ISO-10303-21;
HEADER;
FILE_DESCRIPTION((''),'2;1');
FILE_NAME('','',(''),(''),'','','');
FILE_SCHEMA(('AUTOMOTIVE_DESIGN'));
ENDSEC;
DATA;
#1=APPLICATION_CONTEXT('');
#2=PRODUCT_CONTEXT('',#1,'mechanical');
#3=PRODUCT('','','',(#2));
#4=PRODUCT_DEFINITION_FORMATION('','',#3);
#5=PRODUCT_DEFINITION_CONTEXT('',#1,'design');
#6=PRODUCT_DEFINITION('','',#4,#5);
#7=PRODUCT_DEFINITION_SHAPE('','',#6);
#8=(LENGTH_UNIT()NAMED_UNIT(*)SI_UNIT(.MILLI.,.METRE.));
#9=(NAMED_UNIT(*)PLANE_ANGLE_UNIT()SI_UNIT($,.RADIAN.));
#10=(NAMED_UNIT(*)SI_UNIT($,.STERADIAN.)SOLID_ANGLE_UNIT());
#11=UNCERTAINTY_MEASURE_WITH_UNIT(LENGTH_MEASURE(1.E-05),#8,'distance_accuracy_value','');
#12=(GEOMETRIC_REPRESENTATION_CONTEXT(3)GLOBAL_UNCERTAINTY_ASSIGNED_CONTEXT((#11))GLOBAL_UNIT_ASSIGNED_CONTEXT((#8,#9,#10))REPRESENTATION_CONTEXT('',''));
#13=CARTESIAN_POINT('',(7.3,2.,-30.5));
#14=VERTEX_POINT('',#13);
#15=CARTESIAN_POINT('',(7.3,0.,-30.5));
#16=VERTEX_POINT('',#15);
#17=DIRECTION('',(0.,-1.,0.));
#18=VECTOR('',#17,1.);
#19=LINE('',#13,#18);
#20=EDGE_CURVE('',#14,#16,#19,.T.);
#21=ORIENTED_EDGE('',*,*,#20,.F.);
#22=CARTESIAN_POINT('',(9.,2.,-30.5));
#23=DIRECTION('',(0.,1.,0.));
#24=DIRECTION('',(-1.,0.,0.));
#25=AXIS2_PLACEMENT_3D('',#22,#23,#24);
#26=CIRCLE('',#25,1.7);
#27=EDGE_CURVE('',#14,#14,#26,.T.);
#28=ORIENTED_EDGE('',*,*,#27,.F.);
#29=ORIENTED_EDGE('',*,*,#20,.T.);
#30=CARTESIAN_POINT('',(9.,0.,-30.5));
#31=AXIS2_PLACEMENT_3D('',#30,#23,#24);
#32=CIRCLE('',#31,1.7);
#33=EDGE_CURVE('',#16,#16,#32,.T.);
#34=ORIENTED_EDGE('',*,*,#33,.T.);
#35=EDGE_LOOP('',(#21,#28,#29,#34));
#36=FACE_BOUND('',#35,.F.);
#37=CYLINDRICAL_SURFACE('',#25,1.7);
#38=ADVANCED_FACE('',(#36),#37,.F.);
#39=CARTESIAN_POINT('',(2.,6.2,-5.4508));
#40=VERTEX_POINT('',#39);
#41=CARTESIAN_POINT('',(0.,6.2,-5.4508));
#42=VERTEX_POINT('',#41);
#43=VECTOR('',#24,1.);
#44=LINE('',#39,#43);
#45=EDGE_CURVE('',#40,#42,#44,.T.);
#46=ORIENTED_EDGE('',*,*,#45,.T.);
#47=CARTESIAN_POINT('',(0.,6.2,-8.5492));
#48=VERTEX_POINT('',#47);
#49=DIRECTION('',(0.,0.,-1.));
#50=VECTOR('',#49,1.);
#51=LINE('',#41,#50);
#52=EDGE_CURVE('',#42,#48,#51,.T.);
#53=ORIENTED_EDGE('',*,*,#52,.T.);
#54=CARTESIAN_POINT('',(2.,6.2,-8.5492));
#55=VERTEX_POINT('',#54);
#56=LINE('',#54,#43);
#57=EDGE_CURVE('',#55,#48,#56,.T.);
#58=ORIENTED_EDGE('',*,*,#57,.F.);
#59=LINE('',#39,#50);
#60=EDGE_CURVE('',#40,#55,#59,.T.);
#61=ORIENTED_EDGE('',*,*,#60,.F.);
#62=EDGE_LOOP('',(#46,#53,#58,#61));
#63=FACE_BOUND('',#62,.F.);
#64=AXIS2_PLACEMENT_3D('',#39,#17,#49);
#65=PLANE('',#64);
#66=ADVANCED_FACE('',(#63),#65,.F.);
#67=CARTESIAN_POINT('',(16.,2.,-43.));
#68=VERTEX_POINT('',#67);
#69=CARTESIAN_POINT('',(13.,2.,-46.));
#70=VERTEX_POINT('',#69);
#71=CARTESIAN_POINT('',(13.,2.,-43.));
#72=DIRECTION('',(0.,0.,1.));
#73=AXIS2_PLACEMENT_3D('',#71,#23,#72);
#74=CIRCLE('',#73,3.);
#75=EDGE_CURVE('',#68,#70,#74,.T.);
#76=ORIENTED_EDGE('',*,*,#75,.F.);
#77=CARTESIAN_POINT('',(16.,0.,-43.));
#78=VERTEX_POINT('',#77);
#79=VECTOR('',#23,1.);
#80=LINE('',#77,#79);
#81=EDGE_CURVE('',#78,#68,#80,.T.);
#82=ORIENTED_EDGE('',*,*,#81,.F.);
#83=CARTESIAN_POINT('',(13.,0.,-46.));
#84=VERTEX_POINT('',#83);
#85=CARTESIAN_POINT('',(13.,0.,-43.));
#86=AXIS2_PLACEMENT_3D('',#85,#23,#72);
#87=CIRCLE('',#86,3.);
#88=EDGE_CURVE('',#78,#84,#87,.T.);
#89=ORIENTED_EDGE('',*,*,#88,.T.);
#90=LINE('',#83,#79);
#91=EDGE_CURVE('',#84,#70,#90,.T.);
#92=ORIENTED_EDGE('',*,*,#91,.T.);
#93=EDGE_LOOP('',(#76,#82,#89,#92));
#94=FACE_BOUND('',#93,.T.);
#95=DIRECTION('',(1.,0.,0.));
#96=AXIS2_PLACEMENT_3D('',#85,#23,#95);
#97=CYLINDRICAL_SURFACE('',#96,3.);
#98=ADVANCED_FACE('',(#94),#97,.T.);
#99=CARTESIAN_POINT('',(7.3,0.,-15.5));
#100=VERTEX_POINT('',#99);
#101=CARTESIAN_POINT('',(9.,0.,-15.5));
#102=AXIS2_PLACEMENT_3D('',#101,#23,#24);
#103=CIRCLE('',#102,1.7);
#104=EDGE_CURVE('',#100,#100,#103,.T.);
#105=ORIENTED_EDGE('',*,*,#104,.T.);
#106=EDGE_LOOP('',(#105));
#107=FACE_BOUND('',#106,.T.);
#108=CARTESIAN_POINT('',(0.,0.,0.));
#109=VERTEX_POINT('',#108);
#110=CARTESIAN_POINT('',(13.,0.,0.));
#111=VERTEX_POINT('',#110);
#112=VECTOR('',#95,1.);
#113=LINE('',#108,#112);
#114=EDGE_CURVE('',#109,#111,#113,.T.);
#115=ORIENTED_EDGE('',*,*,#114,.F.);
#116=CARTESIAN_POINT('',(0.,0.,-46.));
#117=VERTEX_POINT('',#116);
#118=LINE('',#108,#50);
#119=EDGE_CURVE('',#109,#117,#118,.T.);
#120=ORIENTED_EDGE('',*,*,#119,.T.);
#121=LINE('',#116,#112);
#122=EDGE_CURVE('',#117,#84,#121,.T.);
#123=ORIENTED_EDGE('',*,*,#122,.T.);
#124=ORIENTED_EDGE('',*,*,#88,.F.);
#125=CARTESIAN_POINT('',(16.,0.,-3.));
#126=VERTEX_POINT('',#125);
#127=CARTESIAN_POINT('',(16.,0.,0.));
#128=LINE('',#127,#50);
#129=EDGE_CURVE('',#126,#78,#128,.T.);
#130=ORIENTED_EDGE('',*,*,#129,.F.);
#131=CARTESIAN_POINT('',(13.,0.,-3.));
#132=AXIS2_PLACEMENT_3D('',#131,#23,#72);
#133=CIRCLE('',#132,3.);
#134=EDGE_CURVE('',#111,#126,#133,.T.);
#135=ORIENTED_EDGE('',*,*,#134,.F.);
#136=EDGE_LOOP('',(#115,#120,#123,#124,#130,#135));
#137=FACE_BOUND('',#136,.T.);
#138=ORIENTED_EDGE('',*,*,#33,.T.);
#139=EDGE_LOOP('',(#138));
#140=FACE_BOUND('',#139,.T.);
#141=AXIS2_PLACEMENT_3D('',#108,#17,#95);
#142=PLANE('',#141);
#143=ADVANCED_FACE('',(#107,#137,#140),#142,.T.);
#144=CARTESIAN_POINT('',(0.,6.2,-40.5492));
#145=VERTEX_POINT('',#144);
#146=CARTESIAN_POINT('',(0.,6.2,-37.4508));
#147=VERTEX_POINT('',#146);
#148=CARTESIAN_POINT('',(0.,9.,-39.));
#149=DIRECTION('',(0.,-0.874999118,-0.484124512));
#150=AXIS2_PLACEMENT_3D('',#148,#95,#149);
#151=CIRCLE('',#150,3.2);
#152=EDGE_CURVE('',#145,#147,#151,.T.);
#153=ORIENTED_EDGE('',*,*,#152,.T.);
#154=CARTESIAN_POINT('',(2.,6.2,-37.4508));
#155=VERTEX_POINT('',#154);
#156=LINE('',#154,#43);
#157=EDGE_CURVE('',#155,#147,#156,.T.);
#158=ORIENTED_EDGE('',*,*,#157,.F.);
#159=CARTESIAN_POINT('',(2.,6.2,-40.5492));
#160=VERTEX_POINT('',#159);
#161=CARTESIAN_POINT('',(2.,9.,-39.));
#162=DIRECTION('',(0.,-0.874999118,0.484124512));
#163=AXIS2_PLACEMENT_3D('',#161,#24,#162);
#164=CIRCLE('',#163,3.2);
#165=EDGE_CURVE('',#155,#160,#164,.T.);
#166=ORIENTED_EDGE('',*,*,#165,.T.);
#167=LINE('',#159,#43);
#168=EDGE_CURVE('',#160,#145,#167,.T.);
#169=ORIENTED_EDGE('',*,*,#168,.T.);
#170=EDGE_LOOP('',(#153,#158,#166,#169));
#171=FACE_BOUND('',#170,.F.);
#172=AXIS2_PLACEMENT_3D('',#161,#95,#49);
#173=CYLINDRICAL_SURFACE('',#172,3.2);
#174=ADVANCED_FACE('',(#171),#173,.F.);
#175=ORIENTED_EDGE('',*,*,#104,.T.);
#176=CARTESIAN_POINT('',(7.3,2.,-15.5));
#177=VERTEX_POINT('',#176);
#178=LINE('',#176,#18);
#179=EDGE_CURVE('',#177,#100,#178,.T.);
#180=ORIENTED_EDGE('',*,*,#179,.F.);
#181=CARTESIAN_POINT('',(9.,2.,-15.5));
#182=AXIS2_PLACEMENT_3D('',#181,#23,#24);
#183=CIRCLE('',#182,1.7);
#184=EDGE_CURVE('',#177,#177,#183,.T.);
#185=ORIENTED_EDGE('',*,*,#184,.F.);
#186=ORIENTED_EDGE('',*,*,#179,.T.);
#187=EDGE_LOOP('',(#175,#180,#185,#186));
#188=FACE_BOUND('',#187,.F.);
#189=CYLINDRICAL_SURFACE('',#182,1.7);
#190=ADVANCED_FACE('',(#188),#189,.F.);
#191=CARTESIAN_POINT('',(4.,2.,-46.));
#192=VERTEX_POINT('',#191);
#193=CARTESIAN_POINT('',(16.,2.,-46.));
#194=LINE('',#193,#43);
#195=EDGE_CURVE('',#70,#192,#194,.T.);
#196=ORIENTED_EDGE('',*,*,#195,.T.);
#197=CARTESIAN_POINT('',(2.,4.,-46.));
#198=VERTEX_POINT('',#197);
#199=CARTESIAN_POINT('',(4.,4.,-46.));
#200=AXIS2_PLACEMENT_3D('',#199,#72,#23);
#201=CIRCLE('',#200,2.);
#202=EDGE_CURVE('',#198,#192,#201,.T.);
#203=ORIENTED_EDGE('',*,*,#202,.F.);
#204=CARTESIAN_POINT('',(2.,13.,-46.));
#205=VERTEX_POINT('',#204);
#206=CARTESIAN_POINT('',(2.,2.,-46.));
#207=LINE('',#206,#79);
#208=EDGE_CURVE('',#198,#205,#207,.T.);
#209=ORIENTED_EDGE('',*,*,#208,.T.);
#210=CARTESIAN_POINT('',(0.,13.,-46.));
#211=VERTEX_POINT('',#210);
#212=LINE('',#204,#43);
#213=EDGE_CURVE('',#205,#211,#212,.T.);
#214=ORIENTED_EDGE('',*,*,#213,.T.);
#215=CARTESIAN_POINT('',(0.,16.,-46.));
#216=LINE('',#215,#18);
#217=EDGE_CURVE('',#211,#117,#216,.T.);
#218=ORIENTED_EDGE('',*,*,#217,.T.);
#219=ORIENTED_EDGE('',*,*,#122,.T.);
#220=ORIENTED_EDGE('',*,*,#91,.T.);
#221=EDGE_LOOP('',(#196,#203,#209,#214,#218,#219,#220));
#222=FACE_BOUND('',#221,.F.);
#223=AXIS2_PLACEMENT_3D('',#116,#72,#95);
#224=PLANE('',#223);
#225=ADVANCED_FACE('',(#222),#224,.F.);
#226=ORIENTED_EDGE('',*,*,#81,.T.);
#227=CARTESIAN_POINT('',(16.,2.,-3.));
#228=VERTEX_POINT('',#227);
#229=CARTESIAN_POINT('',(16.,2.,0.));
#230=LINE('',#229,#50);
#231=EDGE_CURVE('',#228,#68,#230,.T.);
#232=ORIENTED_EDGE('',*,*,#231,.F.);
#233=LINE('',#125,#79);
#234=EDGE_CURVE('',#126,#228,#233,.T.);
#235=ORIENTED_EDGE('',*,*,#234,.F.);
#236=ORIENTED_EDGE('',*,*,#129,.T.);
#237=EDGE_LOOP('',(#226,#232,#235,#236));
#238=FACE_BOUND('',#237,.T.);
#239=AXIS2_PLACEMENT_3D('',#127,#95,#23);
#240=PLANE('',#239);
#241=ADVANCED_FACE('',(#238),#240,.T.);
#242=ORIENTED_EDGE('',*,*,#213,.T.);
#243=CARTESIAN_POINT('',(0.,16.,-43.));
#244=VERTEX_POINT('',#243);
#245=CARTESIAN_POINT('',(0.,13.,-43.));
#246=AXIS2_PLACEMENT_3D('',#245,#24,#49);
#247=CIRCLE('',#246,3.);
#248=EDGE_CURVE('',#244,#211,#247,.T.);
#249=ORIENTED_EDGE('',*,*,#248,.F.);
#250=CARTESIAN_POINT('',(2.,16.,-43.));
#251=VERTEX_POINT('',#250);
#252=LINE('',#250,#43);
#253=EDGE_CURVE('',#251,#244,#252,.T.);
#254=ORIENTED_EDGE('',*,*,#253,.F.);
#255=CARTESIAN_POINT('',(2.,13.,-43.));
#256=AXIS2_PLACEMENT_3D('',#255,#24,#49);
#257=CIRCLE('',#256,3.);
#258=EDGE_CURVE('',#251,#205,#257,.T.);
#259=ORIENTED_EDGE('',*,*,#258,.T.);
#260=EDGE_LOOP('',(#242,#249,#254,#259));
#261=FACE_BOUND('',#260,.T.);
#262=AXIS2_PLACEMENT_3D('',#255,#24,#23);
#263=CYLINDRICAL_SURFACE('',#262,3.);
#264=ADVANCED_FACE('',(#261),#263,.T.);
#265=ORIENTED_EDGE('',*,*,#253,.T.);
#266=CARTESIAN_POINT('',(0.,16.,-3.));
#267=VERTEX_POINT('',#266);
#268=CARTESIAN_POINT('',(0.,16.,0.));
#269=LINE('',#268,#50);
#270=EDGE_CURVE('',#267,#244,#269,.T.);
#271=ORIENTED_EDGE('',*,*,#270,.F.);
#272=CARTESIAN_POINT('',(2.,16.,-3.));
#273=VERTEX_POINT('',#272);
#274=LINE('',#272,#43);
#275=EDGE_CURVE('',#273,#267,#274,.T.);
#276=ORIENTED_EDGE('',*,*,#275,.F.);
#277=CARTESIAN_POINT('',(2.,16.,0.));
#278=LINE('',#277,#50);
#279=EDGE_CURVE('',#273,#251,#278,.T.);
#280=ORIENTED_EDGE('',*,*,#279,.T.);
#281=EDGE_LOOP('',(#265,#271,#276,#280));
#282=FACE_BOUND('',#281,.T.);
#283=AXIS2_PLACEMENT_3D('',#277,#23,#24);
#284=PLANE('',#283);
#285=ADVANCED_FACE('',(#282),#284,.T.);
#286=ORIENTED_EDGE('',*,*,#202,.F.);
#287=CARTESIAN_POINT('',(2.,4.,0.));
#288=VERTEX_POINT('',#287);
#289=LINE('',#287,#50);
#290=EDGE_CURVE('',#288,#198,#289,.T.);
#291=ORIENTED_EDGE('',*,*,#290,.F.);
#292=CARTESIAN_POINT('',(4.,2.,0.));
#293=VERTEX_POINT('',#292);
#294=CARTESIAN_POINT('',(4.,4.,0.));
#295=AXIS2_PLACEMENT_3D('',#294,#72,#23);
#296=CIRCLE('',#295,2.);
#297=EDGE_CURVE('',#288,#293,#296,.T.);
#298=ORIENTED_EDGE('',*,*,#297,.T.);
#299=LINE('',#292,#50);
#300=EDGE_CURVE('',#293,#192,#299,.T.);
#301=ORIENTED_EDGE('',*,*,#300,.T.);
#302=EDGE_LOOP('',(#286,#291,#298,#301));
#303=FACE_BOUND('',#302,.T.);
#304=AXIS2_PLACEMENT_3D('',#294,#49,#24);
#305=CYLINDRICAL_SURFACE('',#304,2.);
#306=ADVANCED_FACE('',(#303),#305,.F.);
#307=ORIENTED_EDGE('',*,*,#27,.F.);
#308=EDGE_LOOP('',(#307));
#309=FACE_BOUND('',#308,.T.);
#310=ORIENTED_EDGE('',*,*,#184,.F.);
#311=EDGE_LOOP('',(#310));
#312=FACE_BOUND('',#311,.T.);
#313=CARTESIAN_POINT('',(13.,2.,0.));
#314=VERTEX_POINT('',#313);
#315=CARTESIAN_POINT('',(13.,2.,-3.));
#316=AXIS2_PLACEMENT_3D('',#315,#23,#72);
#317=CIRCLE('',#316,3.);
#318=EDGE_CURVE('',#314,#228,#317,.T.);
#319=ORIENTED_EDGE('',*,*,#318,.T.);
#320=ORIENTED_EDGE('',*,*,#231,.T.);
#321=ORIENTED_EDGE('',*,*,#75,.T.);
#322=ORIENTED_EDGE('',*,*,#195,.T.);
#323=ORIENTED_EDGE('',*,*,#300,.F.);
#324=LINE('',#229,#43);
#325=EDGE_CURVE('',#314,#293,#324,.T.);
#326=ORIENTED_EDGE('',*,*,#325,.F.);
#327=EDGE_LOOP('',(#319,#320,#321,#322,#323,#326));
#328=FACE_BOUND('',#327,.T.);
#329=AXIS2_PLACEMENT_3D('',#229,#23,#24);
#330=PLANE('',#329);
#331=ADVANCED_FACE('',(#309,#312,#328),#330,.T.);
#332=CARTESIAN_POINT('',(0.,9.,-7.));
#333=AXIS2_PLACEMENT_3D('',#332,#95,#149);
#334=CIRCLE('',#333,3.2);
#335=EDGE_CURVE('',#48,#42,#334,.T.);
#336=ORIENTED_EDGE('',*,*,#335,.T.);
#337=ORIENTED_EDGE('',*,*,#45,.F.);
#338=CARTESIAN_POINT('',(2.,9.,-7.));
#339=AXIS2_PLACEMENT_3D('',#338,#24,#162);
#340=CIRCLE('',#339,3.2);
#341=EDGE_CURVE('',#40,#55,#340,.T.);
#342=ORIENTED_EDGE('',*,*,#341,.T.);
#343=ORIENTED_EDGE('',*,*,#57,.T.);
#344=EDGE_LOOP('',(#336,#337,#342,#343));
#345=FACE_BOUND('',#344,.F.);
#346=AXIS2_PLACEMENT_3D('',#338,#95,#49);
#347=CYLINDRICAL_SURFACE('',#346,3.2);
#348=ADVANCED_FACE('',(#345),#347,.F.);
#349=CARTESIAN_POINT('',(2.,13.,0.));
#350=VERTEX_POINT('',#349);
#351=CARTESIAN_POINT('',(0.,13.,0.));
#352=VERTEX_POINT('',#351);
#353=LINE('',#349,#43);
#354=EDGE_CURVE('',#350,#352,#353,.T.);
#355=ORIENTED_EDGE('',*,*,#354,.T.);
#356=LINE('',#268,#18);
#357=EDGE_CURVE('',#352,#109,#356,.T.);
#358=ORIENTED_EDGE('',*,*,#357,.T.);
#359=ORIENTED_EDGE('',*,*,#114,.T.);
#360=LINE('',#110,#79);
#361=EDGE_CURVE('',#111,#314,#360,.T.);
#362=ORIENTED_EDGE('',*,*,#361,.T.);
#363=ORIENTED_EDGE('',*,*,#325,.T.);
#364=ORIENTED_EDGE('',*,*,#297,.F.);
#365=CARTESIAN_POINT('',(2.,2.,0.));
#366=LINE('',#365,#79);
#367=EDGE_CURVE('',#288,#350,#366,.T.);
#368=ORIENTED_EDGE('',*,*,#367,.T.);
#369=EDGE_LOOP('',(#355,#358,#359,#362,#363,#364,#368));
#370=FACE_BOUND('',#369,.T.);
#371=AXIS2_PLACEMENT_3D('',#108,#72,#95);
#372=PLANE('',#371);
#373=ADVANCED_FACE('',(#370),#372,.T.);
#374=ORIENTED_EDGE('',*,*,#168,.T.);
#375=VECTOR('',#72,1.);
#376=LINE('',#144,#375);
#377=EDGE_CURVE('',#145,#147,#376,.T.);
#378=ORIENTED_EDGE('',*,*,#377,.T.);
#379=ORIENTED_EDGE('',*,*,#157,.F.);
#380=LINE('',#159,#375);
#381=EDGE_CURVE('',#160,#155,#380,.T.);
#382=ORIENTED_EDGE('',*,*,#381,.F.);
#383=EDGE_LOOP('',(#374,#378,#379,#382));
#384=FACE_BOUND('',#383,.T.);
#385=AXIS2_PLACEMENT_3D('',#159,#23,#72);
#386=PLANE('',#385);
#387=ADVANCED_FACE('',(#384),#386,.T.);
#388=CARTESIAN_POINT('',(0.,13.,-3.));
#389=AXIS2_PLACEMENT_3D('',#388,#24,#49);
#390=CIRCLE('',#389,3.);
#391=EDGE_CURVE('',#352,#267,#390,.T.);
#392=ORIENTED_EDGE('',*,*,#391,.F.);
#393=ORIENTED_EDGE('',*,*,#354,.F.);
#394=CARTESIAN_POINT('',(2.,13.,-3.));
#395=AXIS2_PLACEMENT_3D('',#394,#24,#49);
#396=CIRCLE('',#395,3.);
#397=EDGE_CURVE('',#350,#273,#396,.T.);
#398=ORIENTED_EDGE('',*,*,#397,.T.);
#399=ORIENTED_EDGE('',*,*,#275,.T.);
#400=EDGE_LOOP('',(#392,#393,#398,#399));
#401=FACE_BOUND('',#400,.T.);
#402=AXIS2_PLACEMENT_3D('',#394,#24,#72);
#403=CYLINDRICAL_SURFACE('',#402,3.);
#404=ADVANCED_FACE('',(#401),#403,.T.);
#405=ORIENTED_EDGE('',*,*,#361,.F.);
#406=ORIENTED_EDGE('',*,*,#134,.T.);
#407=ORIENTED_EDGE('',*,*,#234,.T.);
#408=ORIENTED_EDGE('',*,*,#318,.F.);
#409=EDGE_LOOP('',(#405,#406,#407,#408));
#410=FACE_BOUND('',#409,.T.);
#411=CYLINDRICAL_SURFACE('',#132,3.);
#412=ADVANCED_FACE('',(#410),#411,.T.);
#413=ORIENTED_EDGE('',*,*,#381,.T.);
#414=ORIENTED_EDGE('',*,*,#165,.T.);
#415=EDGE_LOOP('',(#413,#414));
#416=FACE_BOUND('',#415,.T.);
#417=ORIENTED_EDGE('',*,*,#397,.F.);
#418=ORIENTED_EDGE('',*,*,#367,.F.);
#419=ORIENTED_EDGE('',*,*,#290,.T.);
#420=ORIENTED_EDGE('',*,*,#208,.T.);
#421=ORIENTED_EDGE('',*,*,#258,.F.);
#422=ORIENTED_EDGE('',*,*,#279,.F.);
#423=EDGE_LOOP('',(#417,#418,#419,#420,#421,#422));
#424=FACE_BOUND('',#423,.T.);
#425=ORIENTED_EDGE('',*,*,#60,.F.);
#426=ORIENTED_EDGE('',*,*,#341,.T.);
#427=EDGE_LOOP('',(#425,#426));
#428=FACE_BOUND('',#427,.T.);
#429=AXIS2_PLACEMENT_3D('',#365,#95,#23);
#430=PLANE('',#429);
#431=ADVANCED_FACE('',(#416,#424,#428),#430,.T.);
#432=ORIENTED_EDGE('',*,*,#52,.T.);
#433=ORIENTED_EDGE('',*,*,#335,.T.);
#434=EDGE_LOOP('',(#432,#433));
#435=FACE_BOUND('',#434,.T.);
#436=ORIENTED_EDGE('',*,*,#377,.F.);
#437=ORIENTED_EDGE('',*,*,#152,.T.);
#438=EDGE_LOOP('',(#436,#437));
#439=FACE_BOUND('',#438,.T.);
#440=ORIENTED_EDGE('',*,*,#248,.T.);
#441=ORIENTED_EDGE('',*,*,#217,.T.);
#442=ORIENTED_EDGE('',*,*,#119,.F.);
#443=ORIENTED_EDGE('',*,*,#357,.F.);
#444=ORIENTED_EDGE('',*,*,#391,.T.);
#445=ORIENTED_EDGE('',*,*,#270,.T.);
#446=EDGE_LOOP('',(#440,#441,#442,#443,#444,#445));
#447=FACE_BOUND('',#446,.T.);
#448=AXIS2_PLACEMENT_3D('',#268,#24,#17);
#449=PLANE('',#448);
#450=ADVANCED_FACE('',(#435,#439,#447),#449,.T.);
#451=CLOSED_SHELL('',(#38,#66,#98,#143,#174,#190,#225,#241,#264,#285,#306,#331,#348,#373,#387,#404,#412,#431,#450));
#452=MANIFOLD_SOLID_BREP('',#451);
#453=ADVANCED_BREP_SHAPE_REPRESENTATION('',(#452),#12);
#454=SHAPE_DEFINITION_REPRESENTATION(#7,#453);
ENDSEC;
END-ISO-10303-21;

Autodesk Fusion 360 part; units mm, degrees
sketch "Sketch1" plane through (0, 0, 0) normal (0, 0, 1) x (1, 0, 0)
  line L0 (0, 0) -> (16, 0)
  line L1 (16, 0) -> (16, 2)
  line L2 (16, 2) -> (2, 2)
  line L3 (2, 2) -> (2, 16)
  line L4 (2, 16) -> (0, 16)
  line L5 (0, 16) -> (0, 0)
  dimension "d1" = 16
  dimension "d2" = 16
  dimension "d3" = 2
  dimension "d4" = 2
extrude "Extrude1" add sketch "Sketch1" against normal blind 46
sketch "Sketch2" plane through (0, 2, 0) normal (0, 1, 0) x (-1, 0, 0)
  line L0 (-2, 0) -> (-16, 0)
  line L1 (-16, 0) -> (-16, -46)
  line L2 (-16, -46) -> (-2, -46)
  line L3 (-2, -46) -> (-2, 0)
  line L4 (-9, -46) -> (-9, 0) construction
  line L5 (-16, -23) -> (-2, -23) construction
  circle A0 centre (-9, -15.5) radius 1.7
  circle A1 centre (-9, -30.5) radius 1.7
  dimension "d7" = 3.4
  dimension "d19" = 7.5
extrude "Extrude2" cut sketch "Sketch2" against normal blind 2 contours A0 | A1
sketch "Sketch3" plane through (2, 0, 0) normal (1, 0, 0) x (0, 0, -1)
  line L0 (0, 16) -> (0, 2)
  line L1 (0, 2) -> (46, 2)
  line L2 (46, 2) -> (46, 16)
  line L3 (46, 16) -> (0, 16)
  line L4 (23, 16) -> (23, 2) construction
  line L5 (0, 9) -> (46, 9) construction
  circle A0 centre (7, 9) radius 3.2
  line L6 (0, 12.2) -> (46, 12.2) construction
  line L7 (0, 6.2) -> (46, 6.2) construction
  line L8 (5.4508, 6.2) -> (8.5492, 6.2)
  circle A1 centre (39, 9) radius 3.2
  line L9 (40.5492, 6.2) -> (37.4508, 6.2)
  dimension "d10" = 6.4
  dimension "d11" = 6
  dimension "d12" = 16
extrude "Extrude3" cut sketch "Sketch3" against normal blind 2 contours A0 L8 | A1 L9 picked at (6.9734, 8.1997) picked at (38.4662, 7.5792)
fillet "Fillet1" radius 2 1 edges at (2, 2, -23)
fillet "Fillet2" radius 3 4 edges at (1, 16, -46) (1, 16, 0) (16, 1, 0) (16, 1, -46)
equation "d12 = ( 32 / 2 ) * 1 mm"
equation "d19 = ( 15 / 2 ) * 1 mm"
